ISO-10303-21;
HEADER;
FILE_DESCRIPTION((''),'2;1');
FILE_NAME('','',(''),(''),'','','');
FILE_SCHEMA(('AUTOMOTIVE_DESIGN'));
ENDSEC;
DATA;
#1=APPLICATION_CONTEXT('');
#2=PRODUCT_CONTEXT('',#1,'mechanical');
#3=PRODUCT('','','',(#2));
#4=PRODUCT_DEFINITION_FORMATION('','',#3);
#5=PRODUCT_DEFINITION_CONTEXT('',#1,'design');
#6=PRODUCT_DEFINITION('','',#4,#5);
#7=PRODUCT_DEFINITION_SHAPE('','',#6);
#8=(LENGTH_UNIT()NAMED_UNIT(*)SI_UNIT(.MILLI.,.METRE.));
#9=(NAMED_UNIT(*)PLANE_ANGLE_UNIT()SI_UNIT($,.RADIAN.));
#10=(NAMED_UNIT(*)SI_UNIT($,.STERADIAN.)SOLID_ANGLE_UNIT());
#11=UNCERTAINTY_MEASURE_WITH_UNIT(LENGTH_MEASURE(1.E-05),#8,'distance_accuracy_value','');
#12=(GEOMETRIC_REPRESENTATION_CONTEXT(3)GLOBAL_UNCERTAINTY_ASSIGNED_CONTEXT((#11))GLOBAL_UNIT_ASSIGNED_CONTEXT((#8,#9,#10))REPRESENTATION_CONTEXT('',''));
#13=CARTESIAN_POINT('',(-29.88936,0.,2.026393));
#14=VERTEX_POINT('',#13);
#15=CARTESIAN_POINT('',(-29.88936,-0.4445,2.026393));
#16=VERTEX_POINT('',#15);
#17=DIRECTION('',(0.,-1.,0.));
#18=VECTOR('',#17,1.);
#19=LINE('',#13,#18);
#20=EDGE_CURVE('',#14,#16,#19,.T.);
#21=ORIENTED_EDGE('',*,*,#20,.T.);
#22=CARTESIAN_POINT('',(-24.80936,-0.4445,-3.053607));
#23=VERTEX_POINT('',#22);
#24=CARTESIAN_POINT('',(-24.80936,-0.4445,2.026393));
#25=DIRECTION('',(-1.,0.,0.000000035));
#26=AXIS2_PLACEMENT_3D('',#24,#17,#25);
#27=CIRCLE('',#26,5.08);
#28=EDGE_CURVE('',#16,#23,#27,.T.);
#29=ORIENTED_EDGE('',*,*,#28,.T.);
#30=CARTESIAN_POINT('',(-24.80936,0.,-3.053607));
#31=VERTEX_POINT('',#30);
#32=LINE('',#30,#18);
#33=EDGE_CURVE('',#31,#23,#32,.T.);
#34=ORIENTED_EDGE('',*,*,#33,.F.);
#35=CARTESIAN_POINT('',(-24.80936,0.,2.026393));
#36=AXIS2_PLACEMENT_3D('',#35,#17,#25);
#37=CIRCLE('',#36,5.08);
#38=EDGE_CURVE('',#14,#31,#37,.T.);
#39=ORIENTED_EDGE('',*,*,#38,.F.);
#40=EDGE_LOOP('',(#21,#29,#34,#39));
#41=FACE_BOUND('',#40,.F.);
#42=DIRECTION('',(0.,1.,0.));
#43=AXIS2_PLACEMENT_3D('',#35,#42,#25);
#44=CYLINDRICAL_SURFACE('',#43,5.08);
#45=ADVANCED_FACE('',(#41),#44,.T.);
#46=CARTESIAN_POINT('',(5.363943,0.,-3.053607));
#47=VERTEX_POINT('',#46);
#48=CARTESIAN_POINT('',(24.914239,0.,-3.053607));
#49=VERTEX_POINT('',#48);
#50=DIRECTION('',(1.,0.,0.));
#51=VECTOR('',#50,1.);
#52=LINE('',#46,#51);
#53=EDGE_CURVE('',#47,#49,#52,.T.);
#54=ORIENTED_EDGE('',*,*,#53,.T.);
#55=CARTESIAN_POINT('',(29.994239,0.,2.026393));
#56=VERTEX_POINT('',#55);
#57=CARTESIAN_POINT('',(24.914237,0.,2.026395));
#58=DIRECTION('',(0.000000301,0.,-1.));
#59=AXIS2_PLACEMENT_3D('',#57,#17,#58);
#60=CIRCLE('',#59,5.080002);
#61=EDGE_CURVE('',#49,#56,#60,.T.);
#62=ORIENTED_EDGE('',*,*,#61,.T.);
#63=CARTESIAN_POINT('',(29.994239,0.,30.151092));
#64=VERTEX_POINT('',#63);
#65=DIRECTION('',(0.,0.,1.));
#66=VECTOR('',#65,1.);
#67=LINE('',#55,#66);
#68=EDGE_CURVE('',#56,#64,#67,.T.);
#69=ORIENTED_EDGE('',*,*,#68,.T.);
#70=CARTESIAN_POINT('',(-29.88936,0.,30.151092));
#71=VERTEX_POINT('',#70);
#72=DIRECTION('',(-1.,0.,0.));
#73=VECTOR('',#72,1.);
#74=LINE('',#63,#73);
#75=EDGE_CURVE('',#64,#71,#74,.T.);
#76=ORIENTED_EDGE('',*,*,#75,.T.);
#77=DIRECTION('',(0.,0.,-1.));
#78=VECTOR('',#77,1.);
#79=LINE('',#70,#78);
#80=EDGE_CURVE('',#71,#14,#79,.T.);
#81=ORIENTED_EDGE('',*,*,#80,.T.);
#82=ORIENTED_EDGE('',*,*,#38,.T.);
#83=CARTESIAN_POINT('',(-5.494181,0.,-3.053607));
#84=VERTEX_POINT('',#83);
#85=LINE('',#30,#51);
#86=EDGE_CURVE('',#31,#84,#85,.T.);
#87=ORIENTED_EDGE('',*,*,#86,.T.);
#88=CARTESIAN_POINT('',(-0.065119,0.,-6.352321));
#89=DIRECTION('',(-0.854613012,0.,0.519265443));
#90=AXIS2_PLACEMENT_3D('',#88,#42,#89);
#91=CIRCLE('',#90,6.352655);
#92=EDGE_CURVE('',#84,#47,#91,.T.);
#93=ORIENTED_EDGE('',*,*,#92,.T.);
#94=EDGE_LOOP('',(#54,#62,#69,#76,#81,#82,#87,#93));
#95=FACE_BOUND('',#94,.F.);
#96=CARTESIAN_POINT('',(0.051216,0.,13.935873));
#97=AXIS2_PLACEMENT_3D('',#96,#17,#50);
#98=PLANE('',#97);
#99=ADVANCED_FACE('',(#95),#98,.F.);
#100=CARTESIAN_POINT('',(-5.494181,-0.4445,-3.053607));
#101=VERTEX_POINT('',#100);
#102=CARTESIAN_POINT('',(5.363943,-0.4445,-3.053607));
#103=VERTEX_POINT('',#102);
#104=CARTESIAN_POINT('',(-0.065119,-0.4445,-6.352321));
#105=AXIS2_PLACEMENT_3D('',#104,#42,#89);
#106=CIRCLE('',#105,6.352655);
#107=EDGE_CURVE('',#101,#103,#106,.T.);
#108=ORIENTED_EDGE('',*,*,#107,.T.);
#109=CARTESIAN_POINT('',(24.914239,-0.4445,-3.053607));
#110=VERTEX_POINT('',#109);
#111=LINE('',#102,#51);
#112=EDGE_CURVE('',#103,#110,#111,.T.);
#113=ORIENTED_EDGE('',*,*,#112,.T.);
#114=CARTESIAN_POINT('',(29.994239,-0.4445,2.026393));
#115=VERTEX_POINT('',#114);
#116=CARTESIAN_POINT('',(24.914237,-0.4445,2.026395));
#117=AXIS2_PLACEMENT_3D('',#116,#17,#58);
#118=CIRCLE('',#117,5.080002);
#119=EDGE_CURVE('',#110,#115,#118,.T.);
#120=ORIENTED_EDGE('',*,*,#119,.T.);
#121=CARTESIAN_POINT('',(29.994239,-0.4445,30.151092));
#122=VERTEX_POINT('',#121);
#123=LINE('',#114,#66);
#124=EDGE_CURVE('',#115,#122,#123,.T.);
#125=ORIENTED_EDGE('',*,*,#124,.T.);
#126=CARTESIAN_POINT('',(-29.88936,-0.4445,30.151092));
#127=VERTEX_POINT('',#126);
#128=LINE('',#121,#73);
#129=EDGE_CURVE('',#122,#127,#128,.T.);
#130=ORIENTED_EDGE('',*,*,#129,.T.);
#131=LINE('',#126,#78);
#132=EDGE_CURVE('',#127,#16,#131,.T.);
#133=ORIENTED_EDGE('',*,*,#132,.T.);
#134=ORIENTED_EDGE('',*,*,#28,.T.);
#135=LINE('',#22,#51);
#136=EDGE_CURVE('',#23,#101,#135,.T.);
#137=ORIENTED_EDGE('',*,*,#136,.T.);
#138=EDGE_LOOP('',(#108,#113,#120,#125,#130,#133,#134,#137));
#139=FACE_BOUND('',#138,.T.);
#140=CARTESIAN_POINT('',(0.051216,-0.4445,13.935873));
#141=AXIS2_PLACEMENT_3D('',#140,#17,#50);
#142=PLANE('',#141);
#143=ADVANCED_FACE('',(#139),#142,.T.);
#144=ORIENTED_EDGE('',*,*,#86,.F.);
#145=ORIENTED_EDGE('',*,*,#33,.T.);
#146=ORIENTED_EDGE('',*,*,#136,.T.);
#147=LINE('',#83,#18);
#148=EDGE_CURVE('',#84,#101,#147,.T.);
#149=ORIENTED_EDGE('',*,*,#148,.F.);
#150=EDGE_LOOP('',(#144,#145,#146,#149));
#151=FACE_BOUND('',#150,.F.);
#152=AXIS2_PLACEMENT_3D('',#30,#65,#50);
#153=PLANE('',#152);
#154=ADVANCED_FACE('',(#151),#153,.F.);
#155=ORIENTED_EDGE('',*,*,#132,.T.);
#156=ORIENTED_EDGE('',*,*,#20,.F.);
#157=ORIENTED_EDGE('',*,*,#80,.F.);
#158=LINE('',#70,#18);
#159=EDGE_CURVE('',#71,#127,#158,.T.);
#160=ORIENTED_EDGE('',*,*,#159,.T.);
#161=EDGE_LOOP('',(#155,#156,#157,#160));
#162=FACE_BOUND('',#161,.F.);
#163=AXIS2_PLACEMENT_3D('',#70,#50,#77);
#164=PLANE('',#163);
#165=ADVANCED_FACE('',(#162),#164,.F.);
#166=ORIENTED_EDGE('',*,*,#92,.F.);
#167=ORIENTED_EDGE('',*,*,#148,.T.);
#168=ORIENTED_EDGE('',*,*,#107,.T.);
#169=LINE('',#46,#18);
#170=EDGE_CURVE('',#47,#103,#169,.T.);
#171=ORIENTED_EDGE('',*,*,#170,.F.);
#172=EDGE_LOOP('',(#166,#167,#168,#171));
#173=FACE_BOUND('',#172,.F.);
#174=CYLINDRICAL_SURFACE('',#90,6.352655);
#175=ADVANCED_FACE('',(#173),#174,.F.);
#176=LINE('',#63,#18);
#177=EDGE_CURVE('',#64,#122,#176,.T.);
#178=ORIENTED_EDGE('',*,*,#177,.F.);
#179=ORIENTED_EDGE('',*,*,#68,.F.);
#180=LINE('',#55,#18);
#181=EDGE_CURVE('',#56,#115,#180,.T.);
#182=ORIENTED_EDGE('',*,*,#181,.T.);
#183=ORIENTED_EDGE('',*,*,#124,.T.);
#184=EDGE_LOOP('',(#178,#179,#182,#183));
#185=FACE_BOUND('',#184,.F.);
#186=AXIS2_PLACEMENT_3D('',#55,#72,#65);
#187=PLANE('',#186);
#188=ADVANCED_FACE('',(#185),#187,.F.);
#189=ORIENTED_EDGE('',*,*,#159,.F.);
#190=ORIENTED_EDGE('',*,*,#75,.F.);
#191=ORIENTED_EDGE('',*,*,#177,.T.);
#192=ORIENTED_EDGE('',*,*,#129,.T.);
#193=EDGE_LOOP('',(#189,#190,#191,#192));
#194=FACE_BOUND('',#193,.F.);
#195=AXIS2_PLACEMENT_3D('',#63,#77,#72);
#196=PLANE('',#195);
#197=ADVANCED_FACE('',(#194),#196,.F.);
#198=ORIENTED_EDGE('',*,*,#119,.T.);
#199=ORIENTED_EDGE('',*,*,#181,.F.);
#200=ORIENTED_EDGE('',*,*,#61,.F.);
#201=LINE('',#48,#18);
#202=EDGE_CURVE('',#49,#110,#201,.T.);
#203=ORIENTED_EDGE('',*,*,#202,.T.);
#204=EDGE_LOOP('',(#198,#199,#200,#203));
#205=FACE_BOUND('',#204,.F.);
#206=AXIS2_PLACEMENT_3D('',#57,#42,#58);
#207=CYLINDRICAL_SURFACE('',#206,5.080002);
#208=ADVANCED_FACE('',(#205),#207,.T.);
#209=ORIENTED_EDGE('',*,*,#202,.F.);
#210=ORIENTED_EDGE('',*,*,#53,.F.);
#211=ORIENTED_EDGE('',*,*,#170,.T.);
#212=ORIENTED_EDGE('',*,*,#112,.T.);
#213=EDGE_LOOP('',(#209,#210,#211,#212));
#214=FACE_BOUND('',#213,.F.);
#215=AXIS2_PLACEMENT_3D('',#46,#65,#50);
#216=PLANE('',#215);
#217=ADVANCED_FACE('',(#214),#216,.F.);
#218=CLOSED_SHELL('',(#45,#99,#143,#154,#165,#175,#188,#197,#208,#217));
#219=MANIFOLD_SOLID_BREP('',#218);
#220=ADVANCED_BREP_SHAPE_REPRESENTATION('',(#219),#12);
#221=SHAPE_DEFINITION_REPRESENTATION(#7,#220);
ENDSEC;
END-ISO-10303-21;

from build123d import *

# Parameters (mm, degrees)
F1_DEPTH = 0.4445


with BuildPart() as f1:
    # F0 (on Front) → F1 (new body)
    with BuildSketch(Plane.XZ):
        with BuildLine():
            Line((29.994239, 30.151092), (-29.88936, 30.151092))
            Line((-29.88936, 30.151092), (-29.88936, 2.026393))
            ThreePointArc((-29.88936, 2.026393), (-28.401463, -1.565709), (-24.80936, -3.053607))
            Line((-24.80936, -3.053607), (-5.494181, -3.053607))
            ThreePointArc((-5.494181, -3.053607), (-0.065119, 0.000334), (5.363943, -3.053607))
            Line((5.363943, -3.053607), (24.914239, -3.053607))
            ThreePointArc((24.914239, -3.053607), (28.506341, -1.565709), (29.994239, 2.026393))
            Line((29.994239, 2.026393), (29.994239, 30.151092))
        make_face()
    extrude(amount=F1_DEPTH)


solid = f1.part
